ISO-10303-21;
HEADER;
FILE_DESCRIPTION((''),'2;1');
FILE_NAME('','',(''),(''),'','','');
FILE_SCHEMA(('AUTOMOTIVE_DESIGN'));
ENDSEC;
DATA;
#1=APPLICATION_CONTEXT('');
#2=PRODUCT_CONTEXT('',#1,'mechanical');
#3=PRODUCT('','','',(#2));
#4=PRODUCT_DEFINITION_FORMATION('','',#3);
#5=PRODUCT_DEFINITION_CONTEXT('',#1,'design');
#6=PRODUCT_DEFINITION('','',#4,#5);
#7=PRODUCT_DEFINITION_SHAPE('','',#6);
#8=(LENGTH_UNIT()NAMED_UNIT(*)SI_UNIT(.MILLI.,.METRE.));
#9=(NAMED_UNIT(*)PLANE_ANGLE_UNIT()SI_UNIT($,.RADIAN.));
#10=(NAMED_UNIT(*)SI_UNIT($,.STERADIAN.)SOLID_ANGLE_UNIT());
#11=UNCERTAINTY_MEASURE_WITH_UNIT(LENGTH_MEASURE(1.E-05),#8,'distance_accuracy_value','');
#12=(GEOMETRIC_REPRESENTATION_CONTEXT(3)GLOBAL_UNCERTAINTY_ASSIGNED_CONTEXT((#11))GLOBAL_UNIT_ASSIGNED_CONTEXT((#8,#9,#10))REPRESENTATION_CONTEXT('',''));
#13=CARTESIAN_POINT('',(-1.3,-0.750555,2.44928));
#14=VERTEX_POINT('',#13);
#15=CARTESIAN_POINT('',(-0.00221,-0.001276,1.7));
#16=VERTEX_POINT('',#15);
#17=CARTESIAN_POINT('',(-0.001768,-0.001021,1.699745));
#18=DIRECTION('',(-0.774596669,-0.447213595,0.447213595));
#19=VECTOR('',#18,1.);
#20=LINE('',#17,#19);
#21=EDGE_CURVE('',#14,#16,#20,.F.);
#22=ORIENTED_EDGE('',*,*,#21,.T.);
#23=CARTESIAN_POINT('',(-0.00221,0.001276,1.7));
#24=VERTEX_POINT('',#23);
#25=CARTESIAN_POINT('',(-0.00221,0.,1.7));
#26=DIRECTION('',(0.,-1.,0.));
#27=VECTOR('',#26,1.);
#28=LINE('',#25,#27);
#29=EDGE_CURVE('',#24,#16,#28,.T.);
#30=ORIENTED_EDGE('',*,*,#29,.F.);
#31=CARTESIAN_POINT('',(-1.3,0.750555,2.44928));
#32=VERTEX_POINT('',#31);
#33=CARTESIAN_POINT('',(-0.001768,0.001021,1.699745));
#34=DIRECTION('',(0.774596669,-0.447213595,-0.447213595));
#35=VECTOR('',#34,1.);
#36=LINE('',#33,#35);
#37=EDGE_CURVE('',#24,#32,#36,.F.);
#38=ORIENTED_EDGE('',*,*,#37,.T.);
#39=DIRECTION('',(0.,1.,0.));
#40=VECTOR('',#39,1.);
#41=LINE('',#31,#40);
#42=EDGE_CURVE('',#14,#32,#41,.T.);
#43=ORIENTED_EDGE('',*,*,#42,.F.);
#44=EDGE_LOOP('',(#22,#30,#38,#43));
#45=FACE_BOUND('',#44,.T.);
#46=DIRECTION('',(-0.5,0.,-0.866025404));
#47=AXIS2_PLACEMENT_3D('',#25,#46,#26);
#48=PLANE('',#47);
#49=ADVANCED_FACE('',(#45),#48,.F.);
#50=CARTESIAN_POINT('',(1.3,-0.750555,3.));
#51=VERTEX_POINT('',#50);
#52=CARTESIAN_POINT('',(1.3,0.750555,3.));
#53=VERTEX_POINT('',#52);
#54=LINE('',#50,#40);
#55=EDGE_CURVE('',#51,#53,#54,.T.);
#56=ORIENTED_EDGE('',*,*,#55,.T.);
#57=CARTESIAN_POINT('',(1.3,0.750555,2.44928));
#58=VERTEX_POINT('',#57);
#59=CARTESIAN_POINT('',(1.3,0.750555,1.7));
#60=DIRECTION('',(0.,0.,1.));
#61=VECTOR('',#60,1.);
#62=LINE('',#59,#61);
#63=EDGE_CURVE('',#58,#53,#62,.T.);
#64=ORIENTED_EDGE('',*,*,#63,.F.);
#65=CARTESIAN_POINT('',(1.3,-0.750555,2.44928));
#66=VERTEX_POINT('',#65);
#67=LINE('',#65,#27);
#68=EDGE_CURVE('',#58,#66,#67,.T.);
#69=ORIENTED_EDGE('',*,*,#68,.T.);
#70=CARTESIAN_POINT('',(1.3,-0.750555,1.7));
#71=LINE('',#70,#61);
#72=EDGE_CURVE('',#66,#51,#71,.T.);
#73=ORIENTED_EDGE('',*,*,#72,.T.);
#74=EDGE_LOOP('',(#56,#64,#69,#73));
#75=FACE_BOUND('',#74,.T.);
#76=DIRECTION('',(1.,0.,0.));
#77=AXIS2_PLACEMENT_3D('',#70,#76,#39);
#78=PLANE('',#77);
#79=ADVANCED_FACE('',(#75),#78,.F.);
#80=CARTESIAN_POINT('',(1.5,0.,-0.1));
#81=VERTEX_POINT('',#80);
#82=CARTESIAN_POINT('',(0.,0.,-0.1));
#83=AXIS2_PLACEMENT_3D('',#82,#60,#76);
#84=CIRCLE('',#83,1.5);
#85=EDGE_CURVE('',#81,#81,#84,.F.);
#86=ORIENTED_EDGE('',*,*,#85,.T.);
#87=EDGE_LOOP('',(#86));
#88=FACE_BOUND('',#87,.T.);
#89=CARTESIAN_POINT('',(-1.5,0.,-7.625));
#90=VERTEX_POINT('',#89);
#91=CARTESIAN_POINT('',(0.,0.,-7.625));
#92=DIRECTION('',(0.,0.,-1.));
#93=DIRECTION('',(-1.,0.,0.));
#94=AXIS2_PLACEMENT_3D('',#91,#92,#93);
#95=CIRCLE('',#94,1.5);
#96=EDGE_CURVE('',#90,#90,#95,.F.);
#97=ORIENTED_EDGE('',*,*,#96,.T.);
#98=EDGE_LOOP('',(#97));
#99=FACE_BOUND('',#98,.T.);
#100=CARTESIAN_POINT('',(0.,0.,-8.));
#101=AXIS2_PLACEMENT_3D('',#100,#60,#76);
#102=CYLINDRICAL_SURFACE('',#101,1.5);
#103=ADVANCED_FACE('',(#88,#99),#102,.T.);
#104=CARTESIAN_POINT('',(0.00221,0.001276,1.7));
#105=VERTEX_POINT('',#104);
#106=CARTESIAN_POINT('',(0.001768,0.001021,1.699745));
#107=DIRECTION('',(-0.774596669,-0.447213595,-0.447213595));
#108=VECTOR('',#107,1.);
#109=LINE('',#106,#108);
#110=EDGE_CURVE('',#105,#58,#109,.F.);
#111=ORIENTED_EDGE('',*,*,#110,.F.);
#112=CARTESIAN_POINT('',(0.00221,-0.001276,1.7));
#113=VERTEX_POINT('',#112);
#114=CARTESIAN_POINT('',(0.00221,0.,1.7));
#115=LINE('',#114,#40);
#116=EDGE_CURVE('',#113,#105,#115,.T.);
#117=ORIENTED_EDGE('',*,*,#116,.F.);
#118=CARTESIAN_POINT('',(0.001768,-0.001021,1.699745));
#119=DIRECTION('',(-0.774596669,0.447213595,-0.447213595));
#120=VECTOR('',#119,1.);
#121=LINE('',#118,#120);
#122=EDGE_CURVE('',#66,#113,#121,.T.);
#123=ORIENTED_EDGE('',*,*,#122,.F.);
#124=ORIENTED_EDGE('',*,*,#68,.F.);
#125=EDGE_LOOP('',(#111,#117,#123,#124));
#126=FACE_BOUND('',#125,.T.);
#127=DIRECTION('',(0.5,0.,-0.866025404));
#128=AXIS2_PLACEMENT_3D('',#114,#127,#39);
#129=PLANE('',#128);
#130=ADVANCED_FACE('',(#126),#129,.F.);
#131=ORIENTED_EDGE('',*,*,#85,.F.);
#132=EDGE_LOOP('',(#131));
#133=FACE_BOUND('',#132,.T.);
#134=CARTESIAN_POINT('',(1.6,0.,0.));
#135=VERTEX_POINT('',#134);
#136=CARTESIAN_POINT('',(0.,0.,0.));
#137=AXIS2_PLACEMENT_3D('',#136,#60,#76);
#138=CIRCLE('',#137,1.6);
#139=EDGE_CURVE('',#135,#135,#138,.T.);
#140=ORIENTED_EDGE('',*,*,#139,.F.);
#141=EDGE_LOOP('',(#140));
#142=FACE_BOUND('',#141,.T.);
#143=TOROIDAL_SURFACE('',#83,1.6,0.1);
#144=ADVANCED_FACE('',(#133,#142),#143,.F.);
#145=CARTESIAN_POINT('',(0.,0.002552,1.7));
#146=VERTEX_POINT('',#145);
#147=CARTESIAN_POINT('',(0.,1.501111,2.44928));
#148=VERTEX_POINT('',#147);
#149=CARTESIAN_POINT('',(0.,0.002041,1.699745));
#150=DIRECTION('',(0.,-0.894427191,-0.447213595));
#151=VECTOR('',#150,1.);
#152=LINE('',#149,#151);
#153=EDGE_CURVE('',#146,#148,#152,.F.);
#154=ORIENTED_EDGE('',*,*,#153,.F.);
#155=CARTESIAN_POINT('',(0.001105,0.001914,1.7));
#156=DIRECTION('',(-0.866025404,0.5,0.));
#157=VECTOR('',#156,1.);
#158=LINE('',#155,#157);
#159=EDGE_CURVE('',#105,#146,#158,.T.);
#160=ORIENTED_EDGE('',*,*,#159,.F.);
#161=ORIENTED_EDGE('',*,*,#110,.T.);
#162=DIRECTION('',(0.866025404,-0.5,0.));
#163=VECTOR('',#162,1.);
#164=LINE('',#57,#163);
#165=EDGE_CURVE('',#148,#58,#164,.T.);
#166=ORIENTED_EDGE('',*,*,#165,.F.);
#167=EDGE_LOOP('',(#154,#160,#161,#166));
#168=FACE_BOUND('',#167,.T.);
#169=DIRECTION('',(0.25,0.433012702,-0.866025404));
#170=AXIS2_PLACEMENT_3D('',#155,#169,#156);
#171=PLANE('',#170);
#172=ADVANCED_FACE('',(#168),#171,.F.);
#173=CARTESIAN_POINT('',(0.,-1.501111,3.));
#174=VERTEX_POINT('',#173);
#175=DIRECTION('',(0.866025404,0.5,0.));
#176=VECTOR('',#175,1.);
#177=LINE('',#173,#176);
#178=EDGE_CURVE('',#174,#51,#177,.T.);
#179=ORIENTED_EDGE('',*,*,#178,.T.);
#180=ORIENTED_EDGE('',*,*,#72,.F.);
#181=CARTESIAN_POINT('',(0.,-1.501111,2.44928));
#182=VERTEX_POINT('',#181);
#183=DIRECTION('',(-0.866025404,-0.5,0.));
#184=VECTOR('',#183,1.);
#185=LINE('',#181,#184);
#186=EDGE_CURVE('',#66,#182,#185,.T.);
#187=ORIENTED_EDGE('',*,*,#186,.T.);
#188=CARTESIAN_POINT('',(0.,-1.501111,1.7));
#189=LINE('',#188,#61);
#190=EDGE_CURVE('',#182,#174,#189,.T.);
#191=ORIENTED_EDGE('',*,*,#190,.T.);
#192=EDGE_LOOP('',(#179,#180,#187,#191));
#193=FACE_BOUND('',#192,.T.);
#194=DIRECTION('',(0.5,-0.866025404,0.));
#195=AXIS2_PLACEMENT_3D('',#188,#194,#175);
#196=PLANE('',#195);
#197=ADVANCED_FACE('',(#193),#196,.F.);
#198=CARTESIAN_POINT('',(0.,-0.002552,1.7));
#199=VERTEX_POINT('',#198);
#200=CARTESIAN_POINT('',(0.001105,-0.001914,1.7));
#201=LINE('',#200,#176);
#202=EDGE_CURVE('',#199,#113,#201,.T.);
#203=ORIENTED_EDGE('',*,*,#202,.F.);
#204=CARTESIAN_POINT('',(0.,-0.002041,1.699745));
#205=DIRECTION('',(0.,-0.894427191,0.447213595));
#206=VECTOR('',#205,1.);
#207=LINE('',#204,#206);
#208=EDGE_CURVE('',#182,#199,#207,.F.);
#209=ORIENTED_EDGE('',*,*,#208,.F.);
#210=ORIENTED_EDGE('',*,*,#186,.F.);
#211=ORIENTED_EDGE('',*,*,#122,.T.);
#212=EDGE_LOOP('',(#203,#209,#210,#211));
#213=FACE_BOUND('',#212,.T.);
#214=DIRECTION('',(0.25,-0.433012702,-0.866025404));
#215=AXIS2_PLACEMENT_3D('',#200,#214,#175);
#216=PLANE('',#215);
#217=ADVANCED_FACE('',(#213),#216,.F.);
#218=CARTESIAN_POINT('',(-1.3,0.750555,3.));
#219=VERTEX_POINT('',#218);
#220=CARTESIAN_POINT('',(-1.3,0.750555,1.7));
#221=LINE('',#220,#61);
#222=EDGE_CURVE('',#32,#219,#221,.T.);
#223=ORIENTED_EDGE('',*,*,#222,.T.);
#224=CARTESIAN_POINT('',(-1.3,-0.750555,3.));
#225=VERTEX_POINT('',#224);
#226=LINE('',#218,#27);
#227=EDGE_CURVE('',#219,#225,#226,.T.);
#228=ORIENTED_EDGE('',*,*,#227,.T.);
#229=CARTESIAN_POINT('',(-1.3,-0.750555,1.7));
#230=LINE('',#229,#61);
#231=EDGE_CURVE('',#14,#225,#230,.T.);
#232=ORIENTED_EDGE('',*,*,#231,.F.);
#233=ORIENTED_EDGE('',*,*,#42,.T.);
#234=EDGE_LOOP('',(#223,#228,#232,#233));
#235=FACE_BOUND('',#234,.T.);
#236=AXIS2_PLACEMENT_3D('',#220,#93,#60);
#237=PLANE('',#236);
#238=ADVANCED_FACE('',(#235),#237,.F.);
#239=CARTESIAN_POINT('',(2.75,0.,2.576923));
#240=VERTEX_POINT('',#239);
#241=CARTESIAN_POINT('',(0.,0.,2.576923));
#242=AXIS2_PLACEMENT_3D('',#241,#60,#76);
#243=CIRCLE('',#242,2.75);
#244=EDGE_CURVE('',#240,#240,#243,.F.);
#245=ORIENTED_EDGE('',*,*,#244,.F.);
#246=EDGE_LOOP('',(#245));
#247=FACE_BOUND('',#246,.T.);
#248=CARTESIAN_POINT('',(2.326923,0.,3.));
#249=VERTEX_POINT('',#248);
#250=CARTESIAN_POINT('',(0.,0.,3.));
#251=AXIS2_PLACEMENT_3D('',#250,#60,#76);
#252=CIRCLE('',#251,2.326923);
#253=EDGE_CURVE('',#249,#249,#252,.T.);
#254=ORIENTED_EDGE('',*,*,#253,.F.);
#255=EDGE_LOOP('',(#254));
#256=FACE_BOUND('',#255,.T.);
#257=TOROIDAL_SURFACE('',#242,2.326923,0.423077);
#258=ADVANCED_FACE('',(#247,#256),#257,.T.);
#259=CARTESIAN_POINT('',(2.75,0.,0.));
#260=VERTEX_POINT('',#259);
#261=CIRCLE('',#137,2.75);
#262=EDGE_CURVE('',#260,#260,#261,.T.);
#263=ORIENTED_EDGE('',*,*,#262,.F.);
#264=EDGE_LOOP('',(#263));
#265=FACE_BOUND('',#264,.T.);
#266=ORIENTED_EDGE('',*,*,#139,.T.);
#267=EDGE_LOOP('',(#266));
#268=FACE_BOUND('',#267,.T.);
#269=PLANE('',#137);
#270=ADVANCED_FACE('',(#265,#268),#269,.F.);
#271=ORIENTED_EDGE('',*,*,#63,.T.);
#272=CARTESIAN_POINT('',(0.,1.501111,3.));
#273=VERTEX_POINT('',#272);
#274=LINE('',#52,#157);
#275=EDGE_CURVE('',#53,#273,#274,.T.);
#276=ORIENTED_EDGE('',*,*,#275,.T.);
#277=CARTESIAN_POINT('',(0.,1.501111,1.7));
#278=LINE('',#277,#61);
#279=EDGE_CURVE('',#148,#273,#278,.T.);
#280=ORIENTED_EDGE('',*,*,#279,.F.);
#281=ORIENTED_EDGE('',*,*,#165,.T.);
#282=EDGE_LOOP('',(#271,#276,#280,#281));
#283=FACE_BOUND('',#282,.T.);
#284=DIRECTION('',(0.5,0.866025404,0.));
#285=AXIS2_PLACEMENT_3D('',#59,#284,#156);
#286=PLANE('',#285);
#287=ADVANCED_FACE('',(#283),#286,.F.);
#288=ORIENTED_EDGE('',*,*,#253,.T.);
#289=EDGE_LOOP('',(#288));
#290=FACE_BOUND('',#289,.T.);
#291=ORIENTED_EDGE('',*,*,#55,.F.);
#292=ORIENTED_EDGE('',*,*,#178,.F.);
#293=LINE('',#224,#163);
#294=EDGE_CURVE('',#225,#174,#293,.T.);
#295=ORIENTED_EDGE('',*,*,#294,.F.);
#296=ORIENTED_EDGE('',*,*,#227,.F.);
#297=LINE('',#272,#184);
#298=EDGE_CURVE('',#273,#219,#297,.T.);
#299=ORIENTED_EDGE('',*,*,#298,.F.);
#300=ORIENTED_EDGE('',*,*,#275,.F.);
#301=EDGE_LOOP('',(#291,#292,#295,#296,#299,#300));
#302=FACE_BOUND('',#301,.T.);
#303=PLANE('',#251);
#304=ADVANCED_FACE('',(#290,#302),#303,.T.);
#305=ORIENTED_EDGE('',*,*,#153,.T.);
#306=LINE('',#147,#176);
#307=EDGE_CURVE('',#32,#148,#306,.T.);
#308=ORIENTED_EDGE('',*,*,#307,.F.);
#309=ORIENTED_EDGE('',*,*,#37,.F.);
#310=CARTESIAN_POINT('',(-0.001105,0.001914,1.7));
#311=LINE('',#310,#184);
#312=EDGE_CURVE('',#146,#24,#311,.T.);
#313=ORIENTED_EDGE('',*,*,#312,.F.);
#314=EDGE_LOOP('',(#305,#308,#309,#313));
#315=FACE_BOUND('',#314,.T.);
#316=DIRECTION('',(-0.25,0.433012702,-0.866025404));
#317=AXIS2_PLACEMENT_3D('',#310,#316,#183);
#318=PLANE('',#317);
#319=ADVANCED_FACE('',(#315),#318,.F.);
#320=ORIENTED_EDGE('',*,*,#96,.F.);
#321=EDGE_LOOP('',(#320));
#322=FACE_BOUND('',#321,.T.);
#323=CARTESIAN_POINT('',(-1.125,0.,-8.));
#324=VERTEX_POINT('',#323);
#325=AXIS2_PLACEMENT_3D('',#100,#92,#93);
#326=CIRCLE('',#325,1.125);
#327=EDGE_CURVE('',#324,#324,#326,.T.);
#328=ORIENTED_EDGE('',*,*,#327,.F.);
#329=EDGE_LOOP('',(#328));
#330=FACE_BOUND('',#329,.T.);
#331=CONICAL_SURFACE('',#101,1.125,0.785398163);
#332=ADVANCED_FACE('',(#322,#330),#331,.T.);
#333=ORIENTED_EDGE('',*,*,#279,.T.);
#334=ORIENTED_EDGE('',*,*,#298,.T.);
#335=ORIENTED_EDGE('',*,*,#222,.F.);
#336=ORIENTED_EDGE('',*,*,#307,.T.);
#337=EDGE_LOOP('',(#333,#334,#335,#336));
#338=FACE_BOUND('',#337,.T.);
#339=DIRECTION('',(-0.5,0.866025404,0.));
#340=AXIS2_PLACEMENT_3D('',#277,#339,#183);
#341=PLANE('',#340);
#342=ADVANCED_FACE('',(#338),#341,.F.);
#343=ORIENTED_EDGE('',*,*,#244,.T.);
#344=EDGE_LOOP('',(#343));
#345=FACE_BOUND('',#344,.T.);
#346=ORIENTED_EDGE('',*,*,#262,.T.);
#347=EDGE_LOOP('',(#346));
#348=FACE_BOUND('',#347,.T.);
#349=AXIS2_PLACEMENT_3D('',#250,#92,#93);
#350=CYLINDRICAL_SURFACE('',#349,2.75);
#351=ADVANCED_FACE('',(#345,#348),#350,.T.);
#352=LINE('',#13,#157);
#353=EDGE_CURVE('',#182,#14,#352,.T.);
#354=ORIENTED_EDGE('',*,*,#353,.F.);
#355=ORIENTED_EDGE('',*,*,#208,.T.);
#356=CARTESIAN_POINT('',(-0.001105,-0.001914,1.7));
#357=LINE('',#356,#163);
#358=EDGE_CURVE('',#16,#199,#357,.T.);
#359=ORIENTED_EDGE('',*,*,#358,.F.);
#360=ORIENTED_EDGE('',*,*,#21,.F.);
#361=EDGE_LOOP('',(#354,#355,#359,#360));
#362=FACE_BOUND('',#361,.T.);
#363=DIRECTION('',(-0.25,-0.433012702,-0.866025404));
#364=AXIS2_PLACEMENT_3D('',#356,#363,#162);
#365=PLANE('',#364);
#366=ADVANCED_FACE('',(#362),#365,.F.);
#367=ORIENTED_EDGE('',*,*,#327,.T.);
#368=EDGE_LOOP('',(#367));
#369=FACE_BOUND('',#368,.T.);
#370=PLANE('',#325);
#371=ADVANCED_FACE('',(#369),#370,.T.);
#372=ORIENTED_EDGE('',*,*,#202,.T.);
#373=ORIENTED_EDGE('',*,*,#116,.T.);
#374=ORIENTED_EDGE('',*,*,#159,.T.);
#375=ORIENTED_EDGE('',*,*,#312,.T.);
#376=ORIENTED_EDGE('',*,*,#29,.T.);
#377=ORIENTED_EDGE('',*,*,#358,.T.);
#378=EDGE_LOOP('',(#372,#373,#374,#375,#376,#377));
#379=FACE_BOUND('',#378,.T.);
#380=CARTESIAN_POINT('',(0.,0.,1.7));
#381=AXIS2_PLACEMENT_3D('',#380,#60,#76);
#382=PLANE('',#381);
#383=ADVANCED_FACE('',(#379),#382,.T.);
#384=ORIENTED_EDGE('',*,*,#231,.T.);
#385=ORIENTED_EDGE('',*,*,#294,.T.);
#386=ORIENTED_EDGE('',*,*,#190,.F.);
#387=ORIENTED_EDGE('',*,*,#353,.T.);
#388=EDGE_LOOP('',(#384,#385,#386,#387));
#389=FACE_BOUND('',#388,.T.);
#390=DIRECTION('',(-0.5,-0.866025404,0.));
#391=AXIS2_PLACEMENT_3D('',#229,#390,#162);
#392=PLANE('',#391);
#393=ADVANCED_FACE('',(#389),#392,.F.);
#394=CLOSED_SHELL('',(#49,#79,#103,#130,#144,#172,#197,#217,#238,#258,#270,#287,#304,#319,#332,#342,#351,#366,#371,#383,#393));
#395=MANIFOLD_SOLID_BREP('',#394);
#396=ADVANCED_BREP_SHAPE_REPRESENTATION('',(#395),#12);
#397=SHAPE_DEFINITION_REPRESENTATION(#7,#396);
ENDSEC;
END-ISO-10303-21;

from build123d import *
from OCP.BRepFilletAPI import BRepFilletAPI_MakeChamfer

# Parameters (mm, degrees)
SKETCH_1_R          = 2.75
EXTRUDE_1_DEPTH     = 3
CUT_EXTRUDE_1_DEPTH = 1.3
SKETCH_3_R          = 1.5
EXTRUDE_2_DEPTH     = 8
CHAMFER_1_SIZE      = 0.375
FILLET_1_R          = 0.423076923
CHAMFER_2_SIZE      = 0.749279539
CHAMFER_2_SIZE2     = 1.29779023
FILLET_2_R          = 0.1


with BuildPart() as part:
    # 草图1 → 凸台-拉伸1 (new body)
    with BuildSketch(Plane.XY):
        Circle(SKETCH_1_R)
    extrude(amount=EXTRUDE_1_DEPTH)

    # 草图2 → 切除-拉伸1 (cut)
    with BuildSketch(Plane.XY.offset(3)):
        Polygon((1.3, 0.75055535), (0, 1.5011107), (-1.3, 0.75055535), (-1.3, -0.75055535), (0, -1.5011107), (1.3, -0.75055535), align=None)
    extrude(amount=-CUT_EXTRUDE_1_DEPTH, mode=Mode.SUBTRACT)

    # 草图3 → 凸台-拉伸2 (add)
    with BuildSketch(Plane(origin=(0, 0, 0), x_dir=(-1, 0, 0), z_dir=(0, 0, -1))):
        Circle(SKETCH_3_R)
    extrude(amount=EXTRUDE_2_DEPTH)

    # 倒角1
    chamfer_1_edges = [part.edges().sort_by_distance(p)[0] for p in [
        (1.5, 0, -8),
    ]]
    chamfer(chamfer_1_edges, length=CHAMFER_1_SIZE)

    # 圆角1
    fillet_1_edges = [part.edges().sort_by_distance(p)[0] for p in [
        (-2.75, 0, 3),
    ]]
    fillet(fillet_1_edges, radius=FILLET_1_R)

    # 倒角2: one chamfer whose edges measure the first distance from different faces: ONE call of the kernel's chamfer builder (chamfer() names one face for all edges)
    chamfer_2_edges_1 = [part.edges().sort_by_distance(p)[0] for p in [
        (-1.3, 0, 1.7),
    ]]
    chamfer_2_side_1 = [part.faces().sort_by_distance(p)[0] for p in [
        (-1.3, 0, 2.35),
    ]]
    chamfer_2_edges_2 = [part.edges().sort_by_distance(p)[0] for p in [
        (-0.65, 1.125833025, 1.7),
    ]]
    chamfer_2_side_2 = [part.faces().sort_by_distance(p)[0] for p in [
        (-0.65, 1.125833025, 2.35),
    ]]
    chamfer_2_edges_3 = [part.edges().sort_by_distance(p)[0] for p in [
        (0.65, 1.125833025, 1.7),
    ]]
    chamfer_2_side_3 = [part.faces().sort_by_distance(p)[0] for p in [
        (0.65, 1.125833025, 2.35),
    ]]
    chamfer_2_edges_4 = [part.edges().sort_by_distance(p)[0] for p in [
        (1.3, 0, 1.7),
    ]]
    chamfer_2_side_4 = [part.faces().sort_by_distance(p)[0] for p in [
        (1.3, 0, 2.35),
    ]]
    chamfer_2_edges_5 = [part.edges().sort_by_distance(p)[0] for p in [
        (-0.65, -1.125833025, 1.7),
    ]]
    chamfer_2_side_5 = [part.faces().sort_by_distance(p)[0] for p in [
        (-0.65, -1.125833025, 2.35),
    ]]
    chamfer_2_edges_6 = [part.edges().sort_by_distance(p)[0] for p in [
        (0.65, -1.125833025, 1.7),
    ]]
    chamfer_2_side_6 = [part.faces().sort_by_distance(p)[0] for p in [
        (0.65, -1.125833025, 2.35),
    ]]
    chamfer_2 = BRepFilletAPI_MakeChamfer(part.part.solid().wrapped)
    for e in chamfer_2_edges_1:
        chamfer_2.Add(CHAMFER_2_SIZE, CHAMFER_2_SIZE2, e.wrapped, chamfer_2_side_1[0].wrapped)  # the first distance lies on this face
    for e in chamfer_2_edges_2:
        chamfer_2.Add(CHAMFER_2_SIZE, CHAMFER_2_SIZE2, e.wrapped, chamfer_2_side_2[0].wrapped)  # the first distance lies on this face
    for e in chamfer_2_edges_3:
        chamfer_2.Add(CHAMFER_2_SIZE, CHAMFER_2_SIZE2, e.wrapped, chamfer_2_side_3[0].wrapped)  # the first distance lies on this face
    for e in chamfer_2_edges_4:
        chamfer_2.Add(CHAMFER_2_SIZE, CHAMFER_2_SIZE2, e.wrapped, chamfer_2_side_4[0].wrapped)  # the first distance lies on this face
    for e in chamfer_2_edges_5:
        chamfer_2.Add(CHAMFER_2_SIZE, CHAMFER_2_SIZE2, e.wrapped, chamfer_2_side_5[0].wrapped)  # the first distance lies on this face
    for e in chamfer_2_edges_6:
        chamfer_2.Add(CHAMFER_2_SIZE, CHAMFER_2_SIZE2, e.wrapped, chamfer_2_side_6[0].wrapped)  # the first distance lies on this face
    add(Compound.cast(chamfer_2.Shape()), mode=Mode.REPLACE)

    # 圆角2
    fillet_2_edges = [part.edges().sort_by_distance(p)[0] for p in [
        (1.5, 0, 0),
    ]]
    fillet(fillet_2_edges, radius=FILLET_2_R)


solid = part.part
